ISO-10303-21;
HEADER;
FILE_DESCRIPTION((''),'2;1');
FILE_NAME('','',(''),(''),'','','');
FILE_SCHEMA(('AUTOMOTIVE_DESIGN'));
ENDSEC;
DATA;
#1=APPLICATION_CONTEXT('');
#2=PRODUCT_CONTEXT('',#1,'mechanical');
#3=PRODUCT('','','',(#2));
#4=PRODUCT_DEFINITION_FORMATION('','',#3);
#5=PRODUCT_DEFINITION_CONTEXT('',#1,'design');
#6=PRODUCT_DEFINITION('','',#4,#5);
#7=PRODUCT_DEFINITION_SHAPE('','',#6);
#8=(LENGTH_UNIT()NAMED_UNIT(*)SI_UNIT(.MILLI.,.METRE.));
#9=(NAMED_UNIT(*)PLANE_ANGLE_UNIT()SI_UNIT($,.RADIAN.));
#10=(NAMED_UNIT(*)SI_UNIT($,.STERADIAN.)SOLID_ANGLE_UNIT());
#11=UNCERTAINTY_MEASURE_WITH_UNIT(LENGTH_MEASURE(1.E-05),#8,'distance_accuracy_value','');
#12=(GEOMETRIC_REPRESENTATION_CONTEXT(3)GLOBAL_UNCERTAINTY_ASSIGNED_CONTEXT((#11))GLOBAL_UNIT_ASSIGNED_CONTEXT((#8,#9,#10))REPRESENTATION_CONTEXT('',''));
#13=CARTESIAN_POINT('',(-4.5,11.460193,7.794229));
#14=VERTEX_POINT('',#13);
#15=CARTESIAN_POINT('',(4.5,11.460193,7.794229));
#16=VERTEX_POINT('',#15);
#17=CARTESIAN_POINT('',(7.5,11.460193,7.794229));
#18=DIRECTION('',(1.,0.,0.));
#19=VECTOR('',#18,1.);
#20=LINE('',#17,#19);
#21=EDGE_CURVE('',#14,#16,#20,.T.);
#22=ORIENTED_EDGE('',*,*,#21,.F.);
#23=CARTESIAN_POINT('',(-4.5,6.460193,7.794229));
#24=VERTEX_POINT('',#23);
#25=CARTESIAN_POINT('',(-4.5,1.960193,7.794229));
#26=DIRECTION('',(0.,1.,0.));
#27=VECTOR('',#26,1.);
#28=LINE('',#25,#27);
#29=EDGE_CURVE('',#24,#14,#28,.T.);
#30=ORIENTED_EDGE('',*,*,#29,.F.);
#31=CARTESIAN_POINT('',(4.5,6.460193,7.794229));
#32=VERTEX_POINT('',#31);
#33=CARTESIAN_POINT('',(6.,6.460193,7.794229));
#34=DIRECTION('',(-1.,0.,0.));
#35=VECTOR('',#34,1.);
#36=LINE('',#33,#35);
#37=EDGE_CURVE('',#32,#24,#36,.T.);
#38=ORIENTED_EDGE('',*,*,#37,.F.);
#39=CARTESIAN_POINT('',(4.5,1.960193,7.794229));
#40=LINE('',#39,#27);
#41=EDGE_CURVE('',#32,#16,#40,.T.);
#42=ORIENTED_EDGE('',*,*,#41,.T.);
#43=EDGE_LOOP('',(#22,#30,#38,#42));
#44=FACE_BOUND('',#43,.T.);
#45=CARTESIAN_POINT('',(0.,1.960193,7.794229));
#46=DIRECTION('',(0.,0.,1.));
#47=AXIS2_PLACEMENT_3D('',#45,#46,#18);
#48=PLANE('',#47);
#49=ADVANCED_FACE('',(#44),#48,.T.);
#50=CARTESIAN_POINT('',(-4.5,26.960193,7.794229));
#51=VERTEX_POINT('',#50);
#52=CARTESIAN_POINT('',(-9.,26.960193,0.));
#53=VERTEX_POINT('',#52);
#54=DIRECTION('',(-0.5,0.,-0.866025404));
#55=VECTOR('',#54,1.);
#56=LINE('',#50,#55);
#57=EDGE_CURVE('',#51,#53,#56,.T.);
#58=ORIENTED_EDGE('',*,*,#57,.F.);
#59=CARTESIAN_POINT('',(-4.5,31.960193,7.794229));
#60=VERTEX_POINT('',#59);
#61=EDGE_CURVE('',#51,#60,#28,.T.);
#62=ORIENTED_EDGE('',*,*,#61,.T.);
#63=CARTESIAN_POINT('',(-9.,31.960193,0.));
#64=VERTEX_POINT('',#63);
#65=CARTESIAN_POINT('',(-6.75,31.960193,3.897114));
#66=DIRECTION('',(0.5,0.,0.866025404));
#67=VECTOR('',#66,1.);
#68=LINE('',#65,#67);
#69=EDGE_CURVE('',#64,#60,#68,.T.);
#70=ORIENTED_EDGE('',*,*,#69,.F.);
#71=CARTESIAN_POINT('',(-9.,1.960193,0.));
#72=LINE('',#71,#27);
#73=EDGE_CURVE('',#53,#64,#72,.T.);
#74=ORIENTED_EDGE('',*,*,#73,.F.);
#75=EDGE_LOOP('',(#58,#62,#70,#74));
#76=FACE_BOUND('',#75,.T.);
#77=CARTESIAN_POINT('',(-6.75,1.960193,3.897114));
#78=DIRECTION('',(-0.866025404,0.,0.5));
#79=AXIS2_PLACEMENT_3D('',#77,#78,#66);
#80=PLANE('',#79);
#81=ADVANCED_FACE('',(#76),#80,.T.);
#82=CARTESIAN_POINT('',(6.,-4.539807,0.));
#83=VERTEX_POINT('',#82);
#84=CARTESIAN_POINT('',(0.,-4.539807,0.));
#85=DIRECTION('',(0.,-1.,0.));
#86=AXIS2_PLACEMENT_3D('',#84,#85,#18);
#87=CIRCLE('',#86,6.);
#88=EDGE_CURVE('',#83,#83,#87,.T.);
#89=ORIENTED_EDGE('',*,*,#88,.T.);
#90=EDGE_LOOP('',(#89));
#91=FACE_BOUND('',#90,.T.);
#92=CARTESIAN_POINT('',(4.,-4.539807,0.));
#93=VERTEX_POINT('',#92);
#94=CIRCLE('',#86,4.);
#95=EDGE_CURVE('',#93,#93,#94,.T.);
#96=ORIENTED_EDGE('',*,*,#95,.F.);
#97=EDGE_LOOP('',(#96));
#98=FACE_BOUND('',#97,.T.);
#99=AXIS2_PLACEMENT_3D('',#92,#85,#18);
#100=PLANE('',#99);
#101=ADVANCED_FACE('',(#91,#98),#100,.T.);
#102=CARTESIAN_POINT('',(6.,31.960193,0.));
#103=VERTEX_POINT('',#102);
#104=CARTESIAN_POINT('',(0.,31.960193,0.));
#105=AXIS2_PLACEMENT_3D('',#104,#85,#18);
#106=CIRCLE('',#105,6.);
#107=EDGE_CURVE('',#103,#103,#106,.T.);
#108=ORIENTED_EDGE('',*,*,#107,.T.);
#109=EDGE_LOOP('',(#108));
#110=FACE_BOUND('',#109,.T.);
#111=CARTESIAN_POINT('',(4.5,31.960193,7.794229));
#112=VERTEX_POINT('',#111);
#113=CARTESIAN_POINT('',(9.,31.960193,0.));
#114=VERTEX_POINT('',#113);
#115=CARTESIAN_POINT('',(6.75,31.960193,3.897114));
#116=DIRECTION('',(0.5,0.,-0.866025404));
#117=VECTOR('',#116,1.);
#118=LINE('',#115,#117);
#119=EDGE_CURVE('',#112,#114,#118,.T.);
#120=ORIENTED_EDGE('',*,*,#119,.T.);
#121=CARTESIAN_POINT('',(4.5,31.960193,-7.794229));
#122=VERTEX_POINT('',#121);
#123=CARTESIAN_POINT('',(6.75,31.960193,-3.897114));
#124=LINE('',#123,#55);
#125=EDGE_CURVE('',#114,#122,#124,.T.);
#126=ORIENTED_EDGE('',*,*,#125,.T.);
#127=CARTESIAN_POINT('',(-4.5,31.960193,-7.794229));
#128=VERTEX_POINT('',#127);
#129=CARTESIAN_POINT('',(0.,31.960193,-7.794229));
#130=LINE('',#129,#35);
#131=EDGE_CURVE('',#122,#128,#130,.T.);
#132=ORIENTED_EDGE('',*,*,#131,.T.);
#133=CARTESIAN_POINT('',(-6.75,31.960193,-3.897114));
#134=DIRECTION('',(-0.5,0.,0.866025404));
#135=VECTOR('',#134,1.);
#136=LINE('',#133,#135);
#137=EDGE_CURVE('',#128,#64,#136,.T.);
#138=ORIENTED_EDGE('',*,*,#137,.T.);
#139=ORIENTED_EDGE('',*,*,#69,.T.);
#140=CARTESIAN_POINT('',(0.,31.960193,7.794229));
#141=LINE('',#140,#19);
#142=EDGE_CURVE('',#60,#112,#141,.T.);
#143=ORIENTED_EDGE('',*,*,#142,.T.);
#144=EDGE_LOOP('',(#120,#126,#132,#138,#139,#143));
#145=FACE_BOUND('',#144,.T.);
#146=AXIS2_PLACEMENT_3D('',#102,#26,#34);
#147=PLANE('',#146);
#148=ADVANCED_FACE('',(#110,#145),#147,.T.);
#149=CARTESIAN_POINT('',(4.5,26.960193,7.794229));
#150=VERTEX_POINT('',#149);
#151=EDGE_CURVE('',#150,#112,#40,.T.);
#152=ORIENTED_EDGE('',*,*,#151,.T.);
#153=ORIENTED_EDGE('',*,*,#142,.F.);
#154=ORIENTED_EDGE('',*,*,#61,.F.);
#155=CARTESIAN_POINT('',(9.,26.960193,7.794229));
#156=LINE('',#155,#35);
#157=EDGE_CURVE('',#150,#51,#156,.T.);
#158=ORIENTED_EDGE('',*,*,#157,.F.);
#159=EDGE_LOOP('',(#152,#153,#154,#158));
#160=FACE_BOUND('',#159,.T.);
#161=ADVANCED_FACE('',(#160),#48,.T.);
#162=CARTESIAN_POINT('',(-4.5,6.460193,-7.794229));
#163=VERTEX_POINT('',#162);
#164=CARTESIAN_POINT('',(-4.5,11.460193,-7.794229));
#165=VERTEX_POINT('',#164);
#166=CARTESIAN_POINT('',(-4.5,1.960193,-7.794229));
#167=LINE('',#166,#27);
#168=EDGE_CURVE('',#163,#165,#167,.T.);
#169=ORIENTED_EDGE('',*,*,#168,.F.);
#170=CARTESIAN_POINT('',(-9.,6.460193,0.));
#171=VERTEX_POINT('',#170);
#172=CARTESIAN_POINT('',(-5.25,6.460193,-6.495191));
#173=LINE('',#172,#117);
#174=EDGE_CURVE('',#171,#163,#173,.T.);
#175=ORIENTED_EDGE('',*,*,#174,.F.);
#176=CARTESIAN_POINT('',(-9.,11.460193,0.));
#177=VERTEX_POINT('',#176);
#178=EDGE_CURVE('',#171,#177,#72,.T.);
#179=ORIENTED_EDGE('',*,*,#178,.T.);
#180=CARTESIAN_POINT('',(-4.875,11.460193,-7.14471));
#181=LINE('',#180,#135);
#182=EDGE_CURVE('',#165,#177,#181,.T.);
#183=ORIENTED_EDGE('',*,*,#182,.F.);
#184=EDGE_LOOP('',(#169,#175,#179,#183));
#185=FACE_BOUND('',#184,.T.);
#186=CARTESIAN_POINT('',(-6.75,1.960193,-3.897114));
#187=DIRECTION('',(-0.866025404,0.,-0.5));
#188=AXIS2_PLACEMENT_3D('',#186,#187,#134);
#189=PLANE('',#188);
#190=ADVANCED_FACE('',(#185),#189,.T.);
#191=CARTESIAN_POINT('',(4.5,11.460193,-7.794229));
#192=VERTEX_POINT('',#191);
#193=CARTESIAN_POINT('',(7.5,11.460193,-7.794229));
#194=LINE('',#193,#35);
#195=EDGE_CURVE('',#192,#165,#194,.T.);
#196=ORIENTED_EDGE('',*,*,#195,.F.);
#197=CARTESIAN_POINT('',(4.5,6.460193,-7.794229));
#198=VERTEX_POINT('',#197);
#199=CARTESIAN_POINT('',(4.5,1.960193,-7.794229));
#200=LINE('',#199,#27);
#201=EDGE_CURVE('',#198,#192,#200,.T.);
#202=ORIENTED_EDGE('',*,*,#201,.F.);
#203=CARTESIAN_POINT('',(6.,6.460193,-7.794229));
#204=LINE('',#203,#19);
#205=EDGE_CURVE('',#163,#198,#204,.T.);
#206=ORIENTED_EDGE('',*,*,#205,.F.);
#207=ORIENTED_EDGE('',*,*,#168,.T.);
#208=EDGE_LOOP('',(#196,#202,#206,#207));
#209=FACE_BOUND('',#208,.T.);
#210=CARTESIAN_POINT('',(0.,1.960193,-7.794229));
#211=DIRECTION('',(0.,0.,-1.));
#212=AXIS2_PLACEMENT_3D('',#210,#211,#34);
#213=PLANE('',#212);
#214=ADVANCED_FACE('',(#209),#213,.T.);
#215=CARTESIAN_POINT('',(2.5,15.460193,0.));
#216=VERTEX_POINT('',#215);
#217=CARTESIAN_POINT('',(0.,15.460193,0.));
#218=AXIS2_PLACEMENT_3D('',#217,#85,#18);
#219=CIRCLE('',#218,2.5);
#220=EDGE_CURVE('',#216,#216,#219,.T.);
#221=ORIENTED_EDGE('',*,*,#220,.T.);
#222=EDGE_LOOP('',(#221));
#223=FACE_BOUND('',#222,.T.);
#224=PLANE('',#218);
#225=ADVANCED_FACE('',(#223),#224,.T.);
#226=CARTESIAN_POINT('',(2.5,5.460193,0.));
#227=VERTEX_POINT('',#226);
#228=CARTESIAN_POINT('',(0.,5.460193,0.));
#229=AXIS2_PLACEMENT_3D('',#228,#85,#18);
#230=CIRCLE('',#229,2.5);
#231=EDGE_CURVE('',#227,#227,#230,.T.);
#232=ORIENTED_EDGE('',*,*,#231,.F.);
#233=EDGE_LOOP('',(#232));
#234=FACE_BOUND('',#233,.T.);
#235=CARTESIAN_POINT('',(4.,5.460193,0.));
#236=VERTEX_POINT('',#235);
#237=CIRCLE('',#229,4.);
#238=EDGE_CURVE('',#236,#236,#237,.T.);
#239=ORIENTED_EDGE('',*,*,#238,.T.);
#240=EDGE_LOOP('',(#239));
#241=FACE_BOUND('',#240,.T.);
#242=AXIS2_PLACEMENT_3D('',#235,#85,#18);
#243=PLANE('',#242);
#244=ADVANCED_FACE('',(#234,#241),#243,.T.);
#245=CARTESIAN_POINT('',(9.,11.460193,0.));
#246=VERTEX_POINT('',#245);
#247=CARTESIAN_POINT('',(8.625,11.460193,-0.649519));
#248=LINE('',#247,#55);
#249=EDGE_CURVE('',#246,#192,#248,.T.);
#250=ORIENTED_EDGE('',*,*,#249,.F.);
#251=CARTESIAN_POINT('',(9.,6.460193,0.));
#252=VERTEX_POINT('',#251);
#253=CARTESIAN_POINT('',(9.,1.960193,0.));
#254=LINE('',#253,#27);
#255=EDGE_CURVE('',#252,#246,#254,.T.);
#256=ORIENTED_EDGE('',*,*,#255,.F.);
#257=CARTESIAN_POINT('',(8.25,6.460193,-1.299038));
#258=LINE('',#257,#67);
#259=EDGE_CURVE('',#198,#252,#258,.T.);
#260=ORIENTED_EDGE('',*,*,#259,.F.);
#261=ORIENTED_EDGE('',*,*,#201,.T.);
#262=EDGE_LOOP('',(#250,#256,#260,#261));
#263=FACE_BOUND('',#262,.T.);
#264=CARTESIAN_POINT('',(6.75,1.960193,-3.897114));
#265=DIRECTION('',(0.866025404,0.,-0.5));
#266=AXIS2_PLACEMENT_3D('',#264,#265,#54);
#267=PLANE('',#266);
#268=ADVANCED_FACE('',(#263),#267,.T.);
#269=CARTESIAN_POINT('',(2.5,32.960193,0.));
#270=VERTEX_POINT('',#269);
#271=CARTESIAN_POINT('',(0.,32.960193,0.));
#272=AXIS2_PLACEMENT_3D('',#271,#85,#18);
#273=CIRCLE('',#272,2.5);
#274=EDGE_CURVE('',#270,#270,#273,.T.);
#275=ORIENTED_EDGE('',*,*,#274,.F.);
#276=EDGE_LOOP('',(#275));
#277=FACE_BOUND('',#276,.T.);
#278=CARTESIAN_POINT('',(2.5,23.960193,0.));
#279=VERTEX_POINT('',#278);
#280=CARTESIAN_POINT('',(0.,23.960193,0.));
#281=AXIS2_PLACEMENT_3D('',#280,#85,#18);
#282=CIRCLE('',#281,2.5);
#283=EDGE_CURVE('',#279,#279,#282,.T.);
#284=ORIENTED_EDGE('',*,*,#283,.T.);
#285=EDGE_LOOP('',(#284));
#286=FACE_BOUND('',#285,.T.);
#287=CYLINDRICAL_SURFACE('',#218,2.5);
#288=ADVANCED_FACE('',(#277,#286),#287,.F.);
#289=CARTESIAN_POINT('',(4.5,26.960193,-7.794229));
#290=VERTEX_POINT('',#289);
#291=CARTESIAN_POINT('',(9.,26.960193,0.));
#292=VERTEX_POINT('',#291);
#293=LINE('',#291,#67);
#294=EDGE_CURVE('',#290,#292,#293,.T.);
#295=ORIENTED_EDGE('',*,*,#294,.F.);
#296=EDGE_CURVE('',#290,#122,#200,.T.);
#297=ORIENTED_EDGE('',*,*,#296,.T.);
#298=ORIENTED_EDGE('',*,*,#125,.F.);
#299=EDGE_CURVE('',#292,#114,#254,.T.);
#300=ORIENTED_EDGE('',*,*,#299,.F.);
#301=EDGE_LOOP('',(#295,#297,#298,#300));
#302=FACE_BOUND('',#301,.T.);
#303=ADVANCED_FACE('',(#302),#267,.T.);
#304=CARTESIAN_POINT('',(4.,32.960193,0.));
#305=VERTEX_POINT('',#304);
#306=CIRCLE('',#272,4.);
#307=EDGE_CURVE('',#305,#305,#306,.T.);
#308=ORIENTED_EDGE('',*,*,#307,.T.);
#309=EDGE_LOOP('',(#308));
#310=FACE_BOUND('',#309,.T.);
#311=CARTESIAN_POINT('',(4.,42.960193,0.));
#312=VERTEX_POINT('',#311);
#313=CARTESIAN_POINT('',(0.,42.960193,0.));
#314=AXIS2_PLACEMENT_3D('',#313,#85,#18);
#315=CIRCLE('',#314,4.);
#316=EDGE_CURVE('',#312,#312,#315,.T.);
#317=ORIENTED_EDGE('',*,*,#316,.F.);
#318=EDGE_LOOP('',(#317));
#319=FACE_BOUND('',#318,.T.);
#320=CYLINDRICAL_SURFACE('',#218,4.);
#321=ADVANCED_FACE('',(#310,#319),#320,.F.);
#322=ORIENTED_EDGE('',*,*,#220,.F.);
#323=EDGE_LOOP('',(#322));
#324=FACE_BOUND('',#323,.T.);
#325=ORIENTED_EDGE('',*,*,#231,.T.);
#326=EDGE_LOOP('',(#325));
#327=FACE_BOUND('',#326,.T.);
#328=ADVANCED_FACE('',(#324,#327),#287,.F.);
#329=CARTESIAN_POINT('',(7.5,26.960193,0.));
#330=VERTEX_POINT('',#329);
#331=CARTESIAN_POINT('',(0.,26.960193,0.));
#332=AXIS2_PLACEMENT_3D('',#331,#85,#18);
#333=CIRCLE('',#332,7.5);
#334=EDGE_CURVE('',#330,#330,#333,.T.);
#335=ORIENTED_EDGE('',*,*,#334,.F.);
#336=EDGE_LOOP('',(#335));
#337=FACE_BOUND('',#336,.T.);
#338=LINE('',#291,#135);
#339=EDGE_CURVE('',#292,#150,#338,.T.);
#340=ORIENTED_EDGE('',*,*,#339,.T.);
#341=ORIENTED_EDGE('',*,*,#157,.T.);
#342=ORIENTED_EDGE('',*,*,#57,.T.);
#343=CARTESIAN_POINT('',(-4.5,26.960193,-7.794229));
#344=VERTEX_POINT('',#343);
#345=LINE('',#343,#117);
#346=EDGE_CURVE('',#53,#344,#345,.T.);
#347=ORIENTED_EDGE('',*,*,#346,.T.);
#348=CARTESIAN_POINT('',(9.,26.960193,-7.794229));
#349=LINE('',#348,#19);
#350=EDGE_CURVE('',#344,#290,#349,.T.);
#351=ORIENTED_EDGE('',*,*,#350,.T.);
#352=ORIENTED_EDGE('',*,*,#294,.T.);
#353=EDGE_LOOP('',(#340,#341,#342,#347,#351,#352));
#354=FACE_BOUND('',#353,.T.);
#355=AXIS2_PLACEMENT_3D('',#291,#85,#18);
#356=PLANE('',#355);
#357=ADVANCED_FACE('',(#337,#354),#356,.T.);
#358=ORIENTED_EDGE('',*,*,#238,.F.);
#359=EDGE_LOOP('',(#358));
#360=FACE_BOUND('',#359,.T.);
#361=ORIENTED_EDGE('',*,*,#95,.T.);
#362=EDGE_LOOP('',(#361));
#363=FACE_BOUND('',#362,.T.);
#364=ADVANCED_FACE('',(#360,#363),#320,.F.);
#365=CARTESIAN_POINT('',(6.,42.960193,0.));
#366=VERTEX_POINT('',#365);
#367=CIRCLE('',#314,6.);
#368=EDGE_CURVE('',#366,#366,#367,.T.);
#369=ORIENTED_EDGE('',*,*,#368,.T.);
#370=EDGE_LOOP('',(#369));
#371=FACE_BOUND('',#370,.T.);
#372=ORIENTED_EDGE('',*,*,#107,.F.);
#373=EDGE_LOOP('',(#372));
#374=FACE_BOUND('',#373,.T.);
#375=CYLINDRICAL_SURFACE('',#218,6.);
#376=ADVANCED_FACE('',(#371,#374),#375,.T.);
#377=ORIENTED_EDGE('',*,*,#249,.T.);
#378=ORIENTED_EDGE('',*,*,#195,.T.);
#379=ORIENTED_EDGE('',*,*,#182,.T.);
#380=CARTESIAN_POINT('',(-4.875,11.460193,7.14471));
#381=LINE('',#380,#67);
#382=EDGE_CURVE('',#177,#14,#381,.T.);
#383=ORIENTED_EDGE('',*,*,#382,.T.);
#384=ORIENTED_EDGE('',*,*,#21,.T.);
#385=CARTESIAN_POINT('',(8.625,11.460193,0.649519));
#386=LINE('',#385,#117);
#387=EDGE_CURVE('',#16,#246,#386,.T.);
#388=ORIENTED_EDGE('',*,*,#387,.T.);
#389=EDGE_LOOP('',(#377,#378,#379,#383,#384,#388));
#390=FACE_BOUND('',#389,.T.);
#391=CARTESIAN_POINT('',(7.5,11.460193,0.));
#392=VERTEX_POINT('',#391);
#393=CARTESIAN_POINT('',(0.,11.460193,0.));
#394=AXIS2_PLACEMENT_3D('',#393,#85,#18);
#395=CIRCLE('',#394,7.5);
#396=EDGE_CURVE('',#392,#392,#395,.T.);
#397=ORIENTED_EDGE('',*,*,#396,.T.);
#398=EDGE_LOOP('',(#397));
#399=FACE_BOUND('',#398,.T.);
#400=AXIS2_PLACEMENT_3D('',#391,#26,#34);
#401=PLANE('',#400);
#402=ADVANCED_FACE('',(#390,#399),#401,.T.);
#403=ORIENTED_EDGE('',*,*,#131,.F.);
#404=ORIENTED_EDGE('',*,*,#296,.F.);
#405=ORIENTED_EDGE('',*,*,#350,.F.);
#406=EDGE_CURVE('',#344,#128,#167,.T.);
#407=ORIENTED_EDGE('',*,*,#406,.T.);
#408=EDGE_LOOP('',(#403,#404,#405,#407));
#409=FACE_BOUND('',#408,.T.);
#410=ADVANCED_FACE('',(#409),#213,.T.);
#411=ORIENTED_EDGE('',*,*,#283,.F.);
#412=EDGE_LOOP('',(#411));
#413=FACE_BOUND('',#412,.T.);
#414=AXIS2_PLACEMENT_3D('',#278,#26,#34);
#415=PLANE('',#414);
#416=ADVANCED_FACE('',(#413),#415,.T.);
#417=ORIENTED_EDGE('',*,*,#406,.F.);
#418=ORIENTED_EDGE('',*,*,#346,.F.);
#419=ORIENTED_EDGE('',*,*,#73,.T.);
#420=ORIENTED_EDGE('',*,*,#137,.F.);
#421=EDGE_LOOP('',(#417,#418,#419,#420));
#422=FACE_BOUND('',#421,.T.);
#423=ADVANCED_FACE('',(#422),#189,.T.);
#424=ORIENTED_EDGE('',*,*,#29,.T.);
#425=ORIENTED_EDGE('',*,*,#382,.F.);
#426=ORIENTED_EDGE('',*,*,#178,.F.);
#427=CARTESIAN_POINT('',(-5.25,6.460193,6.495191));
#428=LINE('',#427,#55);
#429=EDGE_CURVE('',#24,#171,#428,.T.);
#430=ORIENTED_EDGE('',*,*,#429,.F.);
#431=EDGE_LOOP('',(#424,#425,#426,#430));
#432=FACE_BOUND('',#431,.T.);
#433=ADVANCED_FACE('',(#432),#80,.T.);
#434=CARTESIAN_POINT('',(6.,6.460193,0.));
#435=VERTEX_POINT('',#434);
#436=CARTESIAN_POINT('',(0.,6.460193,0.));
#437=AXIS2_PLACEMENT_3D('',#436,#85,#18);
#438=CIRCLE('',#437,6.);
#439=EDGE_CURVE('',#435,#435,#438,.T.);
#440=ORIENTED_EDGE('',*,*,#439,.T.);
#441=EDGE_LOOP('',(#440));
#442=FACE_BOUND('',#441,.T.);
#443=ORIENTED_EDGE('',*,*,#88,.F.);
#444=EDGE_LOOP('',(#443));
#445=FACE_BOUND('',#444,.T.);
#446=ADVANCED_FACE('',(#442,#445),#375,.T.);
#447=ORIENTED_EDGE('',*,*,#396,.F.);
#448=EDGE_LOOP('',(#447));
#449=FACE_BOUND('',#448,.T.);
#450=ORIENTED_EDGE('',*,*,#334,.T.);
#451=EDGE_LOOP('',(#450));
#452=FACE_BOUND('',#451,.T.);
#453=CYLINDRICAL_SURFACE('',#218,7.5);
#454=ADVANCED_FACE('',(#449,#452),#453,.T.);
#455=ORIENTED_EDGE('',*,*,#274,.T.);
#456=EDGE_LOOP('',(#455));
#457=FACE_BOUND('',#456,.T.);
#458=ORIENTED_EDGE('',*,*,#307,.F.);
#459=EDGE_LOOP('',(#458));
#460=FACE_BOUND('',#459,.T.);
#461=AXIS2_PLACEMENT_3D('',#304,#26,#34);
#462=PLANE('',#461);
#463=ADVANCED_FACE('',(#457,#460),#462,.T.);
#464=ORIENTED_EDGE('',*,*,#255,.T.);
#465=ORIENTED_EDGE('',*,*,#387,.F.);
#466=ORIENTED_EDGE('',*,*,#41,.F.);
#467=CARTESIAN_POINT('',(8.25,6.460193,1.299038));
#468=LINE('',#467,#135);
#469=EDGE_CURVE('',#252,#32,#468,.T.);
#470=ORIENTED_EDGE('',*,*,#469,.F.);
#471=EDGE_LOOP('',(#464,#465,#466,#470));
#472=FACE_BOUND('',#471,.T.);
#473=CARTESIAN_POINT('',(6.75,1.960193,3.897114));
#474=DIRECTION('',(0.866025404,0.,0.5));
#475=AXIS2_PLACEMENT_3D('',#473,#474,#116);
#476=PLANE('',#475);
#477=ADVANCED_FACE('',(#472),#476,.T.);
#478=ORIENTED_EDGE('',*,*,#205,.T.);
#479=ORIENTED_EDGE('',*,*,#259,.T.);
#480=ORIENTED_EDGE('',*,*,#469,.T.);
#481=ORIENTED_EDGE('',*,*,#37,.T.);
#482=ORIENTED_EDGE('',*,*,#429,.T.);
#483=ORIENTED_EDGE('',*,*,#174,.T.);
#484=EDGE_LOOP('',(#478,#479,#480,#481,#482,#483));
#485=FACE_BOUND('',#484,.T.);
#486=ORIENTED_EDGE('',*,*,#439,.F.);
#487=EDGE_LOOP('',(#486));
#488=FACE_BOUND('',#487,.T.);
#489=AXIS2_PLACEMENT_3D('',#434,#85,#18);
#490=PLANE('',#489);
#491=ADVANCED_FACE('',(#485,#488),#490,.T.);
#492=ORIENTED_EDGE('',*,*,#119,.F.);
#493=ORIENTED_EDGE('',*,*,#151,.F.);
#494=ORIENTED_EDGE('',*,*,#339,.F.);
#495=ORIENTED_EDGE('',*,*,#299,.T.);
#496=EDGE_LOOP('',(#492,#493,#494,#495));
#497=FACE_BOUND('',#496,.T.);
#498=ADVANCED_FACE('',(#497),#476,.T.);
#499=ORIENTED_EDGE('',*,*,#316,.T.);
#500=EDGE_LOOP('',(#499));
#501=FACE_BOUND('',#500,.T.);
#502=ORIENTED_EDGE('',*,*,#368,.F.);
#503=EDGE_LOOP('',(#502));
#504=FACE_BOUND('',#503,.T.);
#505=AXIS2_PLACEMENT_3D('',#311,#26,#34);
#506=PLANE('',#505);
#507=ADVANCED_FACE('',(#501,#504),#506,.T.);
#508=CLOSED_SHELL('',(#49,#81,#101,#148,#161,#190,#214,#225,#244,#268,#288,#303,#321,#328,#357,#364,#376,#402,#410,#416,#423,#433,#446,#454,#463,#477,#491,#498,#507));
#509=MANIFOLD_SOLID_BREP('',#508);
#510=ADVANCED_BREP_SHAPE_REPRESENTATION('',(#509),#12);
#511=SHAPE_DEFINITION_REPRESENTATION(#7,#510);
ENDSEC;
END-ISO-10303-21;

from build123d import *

# Parameters (mm, degrees)
CUT_EXTRUDE_1_DEPTH = 30


with BuildPart() as part:
    # Эскиз2 → Повернуть1 (revolve)
    with BuildSketch(Plane.XY):
        Polygon((4, -4.539806968), (6, -4.539806968), (6, 6.460193032), (9, 6.460193032), (9, 11.460193032), (7.5, 11.460193032), (7.5, 26.960193032), (9, 26.960193032), (9, 31.960193032), (6, 31.960193032), (6, 42.960193032), (4, 42.960193032), (4, 32.960193032), (2.5, 32.960193032), (2.5, 23.960193032), (0, 23.960193032), (0, 15.460193032), (2.5, 15.460193032), (2.5, 5.460193032), (4, 5.460193032), align=None)
    revolve(axis=Axis((0, 15.460193032, 0), (0, 1, 0)))

    # Эскиз3 → Вырез-Вытянуть1 (cut)
    with BuildSketch(Plane(origin=(0, 31.960193032, 0), x_dir=(1, 0, 0), z_dir=(0, 1, 0))):
        with BuildLine():
            Line((-9, 0), (-4.5, 7.794228634))
            ThreePointArc((-4.5, 7.794228634), (-7.794228634, 4.5), (-9, 0))
        make_face()
        with BuildLine():
            Line((-4.5, 7.794228634), (4.5, 7.794228634))
            ThreePointArc((4.5, 7.794228634), (0, 9), (-4.5, 7.794228634))
        make_face()
        with BuildLine():
            Line((4.5, 7.794228634), (9, 0))
            ThreePointArc((9, 0), (7.794228634, 4.5), (4.5, 7.794228634))
        make_face()
        with BuildLine():
            ThreePointArc((4.5, -7.794228634), (7.794228634, -4.5), (9, 0))
            Line((9, 0), (4.5, -7.794228634))
        make_face()
        with BuildLine():
            ThreePointArc((-4.5, -7.794228634), (0, -9), (4.5, -7.794228634))
            Line((4.5, -7.794228634), (-4.5, -7.794228634))
        make_face()
        with BuildLine():
            ThreePointArc((-9, 0), (-7.794228634, -4.5), (-4.5, -7.794228634))
            Line((-4.5, -7.794228634), (-9, 0))
        make_face()
    extrude(amount=-CUT_EXTRUDE_1_DEPTH, mode=Mode.SUBTRACT)


solid = part.part
